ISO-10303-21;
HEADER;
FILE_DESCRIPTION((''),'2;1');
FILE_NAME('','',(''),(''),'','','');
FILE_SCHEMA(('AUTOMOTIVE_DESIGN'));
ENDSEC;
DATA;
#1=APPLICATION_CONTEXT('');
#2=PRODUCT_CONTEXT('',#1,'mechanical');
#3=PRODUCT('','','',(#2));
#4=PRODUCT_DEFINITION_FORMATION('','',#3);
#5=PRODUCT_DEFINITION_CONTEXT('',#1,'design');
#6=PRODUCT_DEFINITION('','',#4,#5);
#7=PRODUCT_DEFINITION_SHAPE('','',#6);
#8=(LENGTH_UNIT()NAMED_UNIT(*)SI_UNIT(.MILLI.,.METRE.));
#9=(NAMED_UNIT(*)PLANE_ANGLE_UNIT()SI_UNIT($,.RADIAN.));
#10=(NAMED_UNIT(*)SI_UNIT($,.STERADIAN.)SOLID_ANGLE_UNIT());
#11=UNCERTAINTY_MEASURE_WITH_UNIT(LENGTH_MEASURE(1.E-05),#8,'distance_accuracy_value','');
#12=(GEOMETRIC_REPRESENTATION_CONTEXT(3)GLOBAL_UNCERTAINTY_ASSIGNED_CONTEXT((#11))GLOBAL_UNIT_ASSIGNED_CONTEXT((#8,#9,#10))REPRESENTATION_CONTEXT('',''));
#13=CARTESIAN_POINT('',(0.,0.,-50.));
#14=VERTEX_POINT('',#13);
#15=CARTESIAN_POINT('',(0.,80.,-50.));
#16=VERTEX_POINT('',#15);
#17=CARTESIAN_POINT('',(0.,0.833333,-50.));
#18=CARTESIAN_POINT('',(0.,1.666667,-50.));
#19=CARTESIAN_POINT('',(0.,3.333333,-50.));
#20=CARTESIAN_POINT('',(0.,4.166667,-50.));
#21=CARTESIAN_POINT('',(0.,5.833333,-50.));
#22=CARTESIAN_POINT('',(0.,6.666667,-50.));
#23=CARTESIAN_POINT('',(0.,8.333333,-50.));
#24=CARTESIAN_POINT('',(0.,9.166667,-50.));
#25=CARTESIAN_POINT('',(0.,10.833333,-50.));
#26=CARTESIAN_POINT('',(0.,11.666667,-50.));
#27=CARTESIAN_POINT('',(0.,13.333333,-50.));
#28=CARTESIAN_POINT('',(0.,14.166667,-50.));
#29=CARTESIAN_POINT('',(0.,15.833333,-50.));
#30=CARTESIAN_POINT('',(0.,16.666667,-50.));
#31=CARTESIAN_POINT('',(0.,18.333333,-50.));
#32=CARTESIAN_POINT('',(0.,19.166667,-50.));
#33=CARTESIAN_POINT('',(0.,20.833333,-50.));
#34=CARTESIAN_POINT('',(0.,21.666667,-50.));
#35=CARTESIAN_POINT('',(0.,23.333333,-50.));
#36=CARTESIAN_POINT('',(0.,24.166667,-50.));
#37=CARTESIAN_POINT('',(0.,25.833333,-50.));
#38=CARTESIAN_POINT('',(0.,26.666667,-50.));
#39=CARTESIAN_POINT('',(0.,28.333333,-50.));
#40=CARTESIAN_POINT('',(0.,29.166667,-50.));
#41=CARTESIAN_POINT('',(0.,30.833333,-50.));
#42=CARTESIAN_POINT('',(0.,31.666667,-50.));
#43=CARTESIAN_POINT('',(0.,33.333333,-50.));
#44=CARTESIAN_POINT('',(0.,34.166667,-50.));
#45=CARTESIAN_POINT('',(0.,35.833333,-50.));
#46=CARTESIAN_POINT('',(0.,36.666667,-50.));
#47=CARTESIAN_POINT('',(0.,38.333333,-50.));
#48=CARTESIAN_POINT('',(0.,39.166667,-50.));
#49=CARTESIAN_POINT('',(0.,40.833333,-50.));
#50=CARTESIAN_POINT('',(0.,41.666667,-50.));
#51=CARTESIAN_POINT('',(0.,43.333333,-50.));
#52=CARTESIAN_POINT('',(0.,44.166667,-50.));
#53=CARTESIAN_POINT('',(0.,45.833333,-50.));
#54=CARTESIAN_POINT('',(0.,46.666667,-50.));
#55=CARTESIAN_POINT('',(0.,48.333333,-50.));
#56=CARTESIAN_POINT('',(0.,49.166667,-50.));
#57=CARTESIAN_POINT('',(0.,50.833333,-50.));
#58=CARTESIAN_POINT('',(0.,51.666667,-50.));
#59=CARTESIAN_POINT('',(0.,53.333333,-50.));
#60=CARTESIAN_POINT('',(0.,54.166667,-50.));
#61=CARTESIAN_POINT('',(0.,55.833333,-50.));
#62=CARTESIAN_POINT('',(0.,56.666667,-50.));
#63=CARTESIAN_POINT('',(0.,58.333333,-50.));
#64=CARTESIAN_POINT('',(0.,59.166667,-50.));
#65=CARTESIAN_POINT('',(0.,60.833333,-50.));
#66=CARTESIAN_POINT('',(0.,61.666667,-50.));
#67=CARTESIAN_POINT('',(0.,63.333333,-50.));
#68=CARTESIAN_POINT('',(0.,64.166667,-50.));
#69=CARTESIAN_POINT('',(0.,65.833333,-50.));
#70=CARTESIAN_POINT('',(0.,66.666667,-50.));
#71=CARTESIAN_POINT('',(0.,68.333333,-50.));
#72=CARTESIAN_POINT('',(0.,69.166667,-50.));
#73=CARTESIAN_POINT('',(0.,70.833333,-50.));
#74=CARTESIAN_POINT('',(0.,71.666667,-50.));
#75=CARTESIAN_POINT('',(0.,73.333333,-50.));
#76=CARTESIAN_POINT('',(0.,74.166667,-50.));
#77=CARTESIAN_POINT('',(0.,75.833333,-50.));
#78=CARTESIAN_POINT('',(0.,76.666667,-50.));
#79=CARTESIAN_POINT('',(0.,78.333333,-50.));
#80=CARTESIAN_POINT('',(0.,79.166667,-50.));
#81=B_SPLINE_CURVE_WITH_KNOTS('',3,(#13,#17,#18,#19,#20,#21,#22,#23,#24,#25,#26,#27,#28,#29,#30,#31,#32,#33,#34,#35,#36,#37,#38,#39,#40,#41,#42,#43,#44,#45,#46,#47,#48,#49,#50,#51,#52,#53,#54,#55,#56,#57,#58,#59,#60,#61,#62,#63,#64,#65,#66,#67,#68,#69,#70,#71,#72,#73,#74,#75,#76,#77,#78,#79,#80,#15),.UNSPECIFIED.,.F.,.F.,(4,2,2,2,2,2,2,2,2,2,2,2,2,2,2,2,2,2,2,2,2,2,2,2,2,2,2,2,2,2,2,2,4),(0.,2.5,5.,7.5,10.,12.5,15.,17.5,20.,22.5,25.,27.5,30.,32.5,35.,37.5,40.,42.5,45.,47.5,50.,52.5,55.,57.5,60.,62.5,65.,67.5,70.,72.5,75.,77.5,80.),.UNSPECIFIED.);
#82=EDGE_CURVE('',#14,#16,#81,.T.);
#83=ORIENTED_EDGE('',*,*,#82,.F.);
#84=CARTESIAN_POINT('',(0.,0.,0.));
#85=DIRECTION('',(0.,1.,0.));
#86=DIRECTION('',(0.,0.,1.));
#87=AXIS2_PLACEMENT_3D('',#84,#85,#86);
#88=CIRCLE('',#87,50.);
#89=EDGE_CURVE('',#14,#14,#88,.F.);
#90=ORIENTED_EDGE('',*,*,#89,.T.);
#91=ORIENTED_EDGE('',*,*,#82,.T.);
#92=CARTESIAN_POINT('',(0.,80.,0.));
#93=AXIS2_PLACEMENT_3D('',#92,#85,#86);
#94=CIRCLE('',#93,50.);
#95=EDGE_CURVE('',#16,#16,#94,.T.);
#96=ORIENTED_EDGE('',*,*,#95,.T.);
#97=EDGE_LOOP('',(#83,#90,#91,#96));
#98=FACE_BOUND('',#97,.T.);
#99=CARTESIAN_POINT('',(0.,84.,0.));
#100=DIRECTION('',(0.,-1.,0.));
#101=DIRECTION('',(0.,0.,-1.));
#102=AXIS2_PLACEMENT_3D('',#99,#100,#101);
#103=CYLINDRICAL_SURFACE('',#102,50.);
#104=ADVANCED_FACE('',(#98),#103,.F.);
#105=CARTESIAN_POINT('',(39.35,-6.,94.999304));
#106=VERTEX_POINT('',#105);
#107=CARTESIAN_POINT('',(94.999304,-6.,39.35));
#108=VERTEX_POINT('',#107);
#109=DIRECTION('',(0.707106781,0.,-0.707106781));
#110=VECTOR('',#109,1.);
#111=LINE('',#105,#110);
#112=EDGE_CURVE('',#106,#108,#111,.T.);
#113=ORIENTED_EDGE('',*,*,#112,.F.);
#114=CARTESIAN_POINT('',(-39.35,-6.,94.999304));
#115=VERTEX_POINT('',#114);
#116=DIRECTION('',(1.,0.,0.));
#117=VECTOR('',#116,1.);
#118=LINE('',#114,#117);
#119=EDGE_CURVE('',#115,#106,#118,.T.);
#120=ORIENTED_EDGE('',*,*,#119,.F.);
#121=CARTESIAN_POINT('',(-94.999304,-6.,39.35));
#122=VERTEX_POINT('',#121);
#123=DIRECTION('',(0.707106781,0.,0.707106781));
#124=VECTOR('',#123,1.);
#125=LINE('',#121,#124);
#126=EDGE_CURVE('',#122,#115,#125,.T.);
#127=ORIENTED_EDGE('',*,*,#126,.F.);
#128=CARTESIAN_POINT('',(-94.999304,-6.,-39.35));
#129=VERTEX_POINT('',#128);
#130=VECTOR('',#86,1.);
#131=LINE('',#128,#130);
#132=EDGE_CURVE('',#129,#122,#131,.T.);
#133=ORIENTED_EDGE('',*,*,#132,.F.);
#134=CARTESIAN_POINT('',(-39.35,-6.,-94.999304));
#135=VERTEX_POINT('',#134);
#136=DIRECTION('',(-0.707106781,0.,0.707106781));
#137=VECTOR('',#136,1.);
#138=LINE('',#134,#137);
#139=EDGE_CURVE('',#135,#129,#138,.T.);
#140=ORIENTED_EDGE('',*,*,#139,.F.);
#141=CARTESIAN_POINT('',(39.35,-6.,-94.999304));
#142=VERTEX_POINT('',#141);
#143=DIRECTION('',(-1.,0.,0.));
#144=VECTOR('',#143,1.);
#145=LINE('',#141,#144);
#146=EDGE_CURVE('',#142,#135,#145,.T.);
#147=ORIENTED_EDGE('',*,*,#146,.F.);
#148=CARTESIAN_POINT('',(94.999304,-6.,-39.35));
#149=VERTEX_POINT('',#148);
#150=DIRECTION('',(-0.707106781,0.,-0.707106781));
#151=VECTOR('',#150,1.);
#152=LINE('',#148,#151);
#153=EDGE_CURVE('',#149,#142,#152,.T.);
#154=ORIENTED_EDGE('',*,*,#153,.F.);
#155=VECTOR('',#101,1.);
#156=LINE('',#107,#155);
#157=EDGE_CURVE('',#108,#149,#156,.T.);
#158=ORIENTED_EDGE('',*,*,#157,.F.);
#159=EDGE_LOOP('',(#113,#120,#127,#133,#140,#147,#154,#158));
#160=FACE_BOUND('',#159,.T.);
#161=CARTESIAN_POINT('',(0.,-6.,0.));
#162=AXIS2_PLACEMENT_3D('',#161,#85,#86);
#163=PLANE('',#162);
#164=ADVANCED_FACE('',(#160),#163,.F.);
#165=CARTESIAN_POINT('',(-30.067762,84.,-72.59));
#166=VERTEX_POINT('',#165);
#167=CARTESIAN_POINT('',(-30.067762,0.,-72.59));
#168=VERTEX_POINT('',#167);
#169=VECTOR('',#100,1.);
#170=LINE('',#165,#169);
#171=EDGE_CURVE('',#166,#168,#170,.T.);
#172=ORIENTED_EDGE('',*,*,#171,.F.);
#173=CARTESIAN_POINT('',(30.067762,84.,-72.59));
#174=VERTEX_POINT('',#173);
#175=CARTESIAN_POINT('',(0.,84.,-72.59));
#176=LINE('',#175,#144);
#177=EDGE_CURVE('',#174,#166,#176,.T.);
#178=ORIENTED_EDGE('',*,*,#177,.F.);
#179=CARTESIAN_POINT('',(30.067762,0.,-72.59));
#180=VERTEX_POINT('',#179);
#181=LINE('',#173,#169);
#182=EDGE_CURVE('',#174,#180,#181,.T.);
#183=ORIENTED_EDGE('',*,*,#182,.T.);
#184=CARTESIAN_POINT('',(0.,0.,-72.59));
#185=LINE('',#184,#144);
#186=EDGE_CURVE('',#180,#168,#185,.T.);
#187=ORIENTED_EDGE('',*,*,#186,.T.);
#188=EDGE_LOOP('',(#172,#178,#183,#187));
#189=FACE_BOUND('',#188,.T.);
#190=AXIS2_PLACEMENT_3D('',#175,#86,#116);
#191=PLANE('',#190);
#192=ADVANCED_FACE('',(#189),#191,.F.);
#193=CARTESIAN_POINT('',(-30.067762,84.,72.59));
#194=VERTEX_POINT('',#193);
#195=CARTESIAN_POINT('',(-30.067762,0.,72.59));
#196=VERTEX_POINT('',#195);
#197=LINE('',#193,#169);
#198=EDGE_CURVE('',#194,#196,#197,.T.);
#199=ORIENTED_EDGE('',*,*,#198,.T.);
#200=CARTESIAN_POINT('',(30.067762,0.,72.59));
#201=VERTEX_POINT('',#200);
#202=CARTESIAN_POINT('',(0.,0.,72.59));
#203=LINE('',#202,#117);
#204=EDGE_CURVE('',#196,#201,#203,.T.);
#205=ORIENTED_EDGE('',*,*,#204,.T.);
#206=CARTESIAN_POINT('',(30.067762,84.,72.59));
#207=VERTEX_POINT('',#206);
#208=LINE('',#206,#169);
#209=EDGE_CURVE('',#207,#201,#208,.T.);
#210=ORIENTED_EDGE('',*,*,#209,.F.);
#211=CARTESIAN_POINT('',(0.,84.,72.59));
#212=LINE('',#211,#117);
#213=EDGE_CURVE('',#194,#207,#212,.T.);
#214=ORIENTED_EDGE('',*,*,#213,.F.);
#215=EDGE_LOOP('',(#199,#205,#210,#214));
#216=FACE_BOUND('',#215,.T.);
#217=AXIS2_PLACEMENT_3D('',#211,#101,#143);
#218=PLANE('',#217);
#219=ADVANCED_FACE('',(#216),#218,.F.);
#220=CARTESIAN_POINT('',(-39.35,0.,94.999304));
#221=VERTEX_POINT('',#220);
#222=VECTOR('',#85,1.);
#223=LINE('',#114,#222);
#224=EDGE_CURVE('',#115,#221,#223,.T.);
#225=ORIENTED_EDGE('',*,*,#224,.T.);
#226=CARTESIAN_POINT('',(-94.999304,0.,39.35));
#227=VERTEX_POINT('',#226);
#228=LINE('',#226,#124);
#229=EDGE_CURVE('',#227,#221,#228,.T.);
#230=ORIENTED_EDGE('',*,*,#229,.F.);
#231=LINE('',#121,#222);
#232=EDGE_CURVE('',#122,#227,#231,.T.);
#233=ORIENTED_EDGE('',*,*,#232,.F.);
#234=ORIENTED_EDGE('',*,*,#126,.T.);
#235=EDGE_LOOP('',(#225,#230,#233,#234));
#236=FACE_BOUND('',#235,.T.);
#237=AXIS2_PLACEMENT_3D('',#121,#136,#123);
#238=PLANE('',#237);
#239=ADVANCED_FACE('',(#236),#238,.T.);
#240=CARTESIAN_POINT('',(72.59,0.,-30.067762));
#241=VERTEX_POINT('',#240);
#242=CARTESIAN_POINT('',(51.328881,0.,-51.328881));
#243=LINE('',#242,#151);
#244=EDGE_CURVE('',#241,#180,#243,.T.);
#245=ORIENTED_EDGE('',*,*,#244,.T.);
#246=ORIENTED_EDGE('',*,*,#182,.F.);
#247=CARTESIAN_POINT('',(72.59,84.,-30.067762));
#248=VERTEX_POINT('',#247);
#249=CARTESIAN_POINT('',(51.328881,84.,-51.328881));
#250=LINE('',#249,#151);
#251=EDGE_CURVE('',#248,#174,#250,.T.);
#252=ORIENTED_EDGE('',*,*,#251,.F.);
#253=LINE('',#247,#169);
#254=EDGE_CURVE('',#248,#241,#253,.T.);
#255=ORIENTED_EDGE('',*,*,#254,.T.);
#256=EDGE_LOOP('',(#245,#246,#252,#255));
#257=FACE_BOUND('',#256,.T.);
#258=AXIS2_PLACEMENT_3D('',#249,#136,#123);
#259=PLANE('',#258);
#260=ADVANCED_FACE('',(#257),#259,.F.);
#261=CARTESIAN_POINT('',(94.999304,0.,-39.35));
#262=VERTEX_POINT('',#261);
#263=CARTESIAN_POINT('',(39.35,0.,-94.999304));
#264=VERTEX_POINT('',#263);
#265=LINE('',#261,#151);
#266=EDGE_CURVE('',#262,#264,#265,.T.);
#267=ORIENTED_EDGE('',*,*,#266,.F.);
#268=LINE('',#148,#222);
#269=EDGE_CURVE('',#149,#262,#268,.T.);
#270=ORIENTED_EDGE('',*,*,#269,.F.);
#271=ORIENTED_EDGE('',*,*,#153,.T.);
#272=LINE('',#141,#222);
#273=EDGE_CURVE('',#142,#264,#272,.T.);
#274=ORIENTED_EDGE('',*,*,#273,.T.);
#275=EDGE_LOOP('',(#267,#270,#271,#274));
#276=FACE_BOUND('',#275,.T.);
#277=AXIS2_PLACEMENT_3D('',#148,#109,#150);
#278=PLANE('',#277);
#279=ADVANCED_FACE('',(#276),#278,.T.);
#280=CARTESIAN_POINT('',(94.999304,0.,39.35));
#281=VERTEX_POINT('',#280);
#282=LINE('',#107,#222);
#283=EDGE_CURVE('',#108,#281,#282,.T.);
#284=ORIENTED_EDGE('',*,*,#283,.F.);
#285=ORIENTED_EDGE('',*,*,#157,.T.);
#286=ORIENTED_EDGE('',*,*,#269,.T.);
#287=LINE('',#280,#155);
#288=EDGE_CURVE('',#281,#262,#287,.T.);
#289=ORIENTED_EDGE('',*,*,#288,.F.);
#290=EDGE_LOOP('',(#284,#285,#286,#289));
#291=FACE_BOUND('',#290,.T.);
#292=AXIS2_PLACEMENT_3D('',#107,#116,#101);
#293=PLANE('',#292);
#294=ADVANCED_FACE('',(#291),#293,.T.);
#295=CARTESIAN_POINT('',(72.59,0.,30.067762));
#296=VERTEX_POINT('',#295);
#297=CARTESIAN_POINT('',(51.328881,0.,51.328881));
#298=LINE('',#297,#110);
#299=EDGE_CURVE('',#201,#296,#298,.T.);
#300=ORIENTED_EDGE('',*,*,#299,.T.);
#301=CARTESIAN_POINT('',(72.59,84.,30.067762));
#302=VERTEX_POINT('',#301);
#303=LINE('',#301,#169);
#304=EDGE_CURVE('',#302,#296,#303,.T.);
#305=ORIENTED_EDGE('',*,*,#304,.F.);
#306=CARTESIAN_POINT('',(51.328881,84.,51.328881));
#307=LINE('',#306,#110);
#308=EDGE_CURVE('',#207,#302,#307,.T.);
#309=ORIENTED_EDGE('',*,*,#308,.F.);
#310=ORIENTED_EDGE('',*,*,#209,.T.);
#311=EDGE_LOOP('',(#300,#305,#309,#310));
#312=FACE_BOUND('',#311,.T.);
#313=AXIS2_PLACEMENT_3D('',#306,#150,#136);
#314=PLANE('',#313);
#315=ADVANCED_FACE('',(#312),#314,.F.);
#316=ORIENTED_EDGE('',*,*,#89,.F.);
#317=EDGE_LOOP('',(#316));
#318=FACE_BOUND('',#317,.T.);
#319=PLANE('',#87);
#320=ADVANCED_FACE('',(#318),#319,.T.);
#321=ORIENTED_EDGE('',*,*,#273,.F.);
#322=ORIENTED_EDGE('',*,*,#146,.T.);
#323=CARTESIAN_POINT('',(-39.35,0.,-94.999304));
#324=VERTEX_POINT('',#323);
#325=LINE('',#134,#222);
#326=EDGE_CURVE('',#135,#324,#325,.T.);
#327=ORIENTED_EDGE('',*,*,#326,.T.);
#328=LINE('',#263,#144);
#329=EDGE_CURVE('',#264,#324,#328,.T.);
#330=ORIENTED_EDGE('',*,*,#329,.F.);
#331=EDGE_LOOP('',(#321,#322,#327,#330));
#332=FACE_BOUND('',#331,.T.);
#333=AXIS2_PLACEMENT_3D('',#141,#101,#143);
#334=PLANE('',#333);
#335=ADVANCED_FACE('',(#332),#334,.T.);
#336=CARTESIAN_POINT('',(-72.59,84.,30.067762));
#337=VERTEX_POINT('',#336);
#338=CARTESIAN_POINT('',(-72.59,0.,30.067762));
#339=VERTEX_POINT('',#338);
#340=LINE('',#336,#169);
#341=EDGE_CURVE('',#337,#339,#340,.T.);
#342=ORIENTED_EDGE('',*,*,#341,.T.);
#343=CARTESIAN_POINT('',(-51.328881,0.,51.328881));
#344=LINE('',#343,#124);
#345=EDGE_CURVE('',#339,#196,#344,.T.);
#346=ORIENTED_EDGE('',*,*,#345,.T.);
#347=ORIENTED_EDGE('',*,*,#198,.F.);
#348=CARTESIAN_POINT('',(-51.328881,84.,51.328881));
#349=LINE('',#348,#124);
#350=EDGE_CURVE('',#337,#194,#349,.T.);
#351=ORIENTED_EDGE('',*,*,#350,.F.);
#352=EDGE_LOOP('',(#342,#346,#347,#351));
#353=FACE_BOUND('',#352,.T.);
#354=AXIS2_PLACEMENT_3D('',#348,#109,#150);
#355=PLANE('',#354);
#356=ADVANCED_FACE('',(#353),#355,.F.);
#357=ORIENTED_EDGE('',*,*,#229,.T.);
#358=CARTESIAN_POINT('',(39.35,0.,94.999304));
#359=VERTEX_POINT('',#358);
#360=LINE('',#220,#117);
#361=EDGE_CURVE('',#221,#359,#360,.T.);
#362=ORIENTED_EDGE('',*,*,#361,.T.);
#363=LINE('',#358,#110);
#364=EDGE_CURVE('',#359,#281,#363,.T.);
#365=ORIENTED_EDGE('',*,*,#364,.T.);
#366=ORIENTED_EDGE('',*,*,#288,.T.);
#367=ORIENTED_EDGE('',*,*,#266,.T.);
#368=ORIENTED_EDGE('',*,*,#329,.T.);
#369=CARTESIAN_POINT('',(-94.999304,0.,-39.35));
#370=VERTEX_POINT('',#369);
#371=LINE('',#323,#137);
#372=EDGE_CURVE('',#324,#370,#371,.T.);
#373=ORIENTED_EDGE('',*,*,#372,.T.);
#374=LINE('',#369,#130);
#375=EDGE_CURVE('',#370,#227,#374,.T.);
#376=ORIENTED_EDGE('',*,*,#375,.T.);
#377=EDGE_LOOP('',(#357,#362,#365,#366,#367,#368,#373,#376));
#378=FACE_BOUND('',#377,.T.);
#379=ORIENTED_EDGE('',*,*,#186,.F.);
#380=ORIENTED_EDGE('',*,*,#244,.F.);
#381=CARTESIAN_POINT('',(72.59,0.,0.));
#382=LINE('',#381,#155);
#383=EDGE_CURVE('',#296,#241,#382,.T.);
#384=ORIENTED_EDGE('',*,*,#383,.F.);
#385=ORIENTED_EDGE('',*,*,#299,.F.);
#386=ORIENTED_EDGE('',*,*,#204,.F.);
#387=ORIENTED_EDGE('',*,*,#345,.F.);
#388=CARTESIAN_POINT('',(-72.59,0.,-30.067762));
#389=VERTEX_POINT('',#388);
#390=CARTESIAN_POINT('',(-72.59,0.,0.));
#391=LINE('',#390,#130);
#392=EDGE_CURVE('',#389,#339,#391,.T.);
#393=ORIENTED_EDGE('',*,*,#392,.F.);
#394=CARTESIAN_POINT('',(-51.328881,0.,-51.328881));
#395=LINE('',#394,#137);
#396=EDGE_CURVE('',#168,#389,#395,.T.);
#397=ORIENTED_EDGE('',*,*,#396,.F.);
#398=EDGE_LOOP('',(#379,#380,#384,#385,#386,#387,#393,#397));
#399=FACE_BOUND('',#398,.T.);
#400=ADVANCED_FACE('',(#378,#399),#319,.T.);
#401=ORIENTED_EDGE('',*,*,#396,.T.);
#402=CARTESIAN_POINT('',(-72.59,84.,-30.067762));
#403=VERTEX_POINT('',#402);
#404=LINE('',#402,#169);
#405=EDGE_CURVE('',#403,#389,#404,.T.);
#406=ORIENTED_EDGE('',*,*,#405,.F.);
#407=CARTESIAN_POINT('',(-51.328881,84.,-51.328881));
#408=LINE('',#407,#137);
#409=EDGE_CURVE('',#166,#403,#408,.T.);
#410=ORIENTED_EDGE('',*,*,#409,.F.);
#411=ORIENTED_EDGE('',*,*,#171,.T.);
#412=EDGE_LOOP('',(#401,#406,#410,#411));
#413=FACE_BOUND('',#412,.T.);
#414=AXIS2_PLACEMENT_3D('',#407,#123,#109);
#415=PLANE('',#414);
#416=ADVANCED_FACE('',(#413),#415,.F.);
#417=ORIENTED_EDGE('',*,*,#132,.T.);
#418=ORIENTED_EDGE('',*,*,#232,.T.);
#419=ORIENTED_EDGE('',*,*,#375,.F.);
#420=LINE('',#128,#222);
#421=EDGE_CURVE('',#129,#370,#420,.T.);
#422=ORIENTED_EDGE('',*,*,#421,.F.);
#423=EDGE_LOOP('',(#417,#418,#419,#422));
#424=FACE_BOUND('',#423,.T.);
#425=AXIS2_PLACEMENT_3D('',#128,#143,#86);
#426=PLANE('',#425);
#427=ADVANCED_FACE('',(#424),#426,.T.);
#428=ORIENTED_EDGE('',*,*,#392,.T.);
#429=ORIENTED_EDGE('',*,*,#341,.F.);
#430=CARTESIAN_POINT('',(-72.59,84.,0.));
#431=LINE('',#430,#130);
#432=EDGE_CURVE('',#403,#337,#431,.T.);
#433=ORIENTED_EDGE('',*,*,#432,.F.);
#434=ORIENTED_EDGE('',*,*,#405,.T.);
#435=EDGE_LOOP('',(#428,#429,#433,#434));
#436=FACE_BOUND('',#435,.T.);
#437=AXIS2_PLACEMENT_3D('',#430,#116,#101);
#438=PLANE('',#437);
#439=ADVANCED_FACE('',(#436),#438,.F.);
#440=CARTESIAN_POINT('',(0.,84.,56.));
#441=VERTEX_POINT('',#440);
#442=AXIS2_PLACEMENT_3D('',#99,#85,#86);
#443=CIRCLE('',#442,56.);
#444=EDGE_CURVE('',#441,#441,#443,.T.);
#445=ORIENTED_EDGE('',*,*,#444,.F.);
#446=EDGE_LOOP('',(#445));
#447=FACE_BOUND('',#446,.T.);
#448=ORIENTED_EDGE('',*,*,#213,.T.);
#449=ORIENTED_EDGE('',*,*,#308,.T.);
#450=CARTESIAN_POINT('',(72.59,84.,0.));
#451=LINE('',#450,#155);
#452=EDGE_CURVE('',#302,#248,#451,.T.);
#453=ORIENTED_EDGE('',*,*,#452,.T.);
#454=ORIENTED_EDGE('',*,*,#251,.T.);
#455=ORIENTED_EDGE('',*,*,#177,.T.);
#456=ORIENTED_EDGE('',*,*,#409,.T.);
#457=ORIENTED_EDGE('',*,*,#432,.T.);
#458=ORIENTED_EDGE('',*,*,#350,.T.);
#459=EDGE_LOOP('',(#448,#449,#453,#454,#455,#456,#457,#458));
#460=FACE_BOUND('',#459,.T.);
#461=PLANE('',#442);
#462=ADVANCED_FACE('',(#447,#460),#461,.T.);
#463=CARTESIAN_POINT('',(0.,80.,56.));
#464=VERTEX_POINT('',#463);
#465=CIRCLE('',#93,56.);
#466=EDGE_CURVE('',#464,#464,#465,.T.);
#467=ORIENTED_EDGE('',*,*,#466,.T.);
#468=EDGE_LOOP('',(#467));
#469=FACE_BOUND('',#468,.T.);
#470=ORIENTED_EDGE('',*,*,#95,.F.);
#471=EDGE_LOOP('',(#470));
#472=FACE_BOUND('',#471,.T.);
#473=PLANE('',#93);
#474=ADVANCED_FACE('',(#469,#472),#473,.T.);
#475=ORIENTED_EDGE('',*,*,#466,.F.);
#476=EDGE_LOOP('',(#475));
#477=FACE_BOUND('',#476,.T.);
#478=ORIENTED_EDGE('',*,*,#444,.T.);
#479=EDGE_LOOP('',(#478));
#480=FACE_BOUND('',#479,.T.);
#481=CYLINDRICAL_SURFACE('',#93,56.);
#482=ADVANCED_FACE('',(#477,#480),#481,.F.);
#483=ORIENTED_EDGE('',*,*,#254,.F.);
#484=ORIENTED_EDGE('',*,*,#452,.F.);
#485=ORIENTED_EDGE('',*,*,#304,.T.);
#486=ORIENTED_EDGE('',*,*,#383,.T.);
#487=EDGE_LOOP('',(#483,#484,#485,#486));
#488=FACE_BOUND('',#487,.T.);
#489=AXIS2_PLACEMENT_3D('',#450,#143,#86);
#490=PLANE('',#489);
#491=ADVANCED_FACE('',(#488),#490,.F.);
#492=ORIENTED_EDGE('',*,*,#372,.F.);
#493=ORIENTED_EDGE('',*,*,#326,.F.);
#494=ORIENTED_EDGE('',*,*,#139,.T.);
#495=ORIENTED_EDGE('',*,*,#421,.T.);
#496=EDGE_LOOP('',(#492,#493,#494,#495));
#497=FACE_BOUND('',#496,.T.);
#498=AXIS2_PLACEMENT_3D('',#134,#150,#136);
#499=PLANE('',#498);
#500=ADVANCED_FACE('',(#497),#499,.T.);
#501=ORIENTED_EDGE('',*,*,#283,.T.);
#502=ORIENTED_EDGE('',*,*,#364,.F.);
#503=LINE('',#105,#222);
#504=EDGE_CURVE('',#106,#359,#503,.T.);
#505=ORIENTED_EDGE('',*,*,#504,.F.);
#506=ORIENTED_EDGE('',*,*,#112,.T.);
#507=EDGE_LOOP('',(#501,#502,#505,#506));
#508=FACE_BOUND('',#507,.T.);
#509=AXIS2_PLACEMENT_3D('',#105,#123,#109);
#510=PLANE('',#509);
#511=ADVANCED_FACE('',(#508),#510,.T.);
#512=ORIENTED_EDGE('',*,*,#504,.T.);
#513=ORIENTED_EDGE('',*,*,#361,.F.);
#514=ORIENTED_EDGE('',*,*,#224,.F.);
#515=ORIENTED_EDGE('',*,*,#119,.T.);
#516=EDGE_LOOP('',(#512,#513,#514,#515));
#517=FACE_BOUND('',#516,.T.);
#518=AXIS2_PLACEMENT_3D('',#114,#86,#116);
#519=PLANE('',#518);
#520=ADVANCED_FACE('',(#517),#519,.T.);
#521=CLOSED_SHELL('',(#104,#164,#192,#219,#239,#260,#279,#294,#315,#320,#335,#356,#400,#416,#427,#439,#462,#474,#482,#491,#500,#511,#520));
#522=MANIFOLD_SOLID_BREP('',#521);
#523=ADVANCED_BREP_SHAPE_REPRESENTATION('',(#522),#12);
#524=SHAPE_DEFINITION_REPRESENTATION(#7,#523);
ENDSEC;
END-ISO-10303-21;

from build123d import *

# Parameters (mm, degrees)
BOSS_EXTRUDE7_DEPTH = 6
SKETCH1_R           = 50
BOSS_EXTRUDE8_DEPTH = 84
CUT_EXTRUDE1_START  = -4
SKETCH4_R           = 56
SKETCH4_R_2         = 50
CUT_EXTRUDE1_DEPTH  = 4


with BuildPart() as part:
    # Sketch2 → Boss-Extrude7 (new body)
    with BuildSketch(Plane(origin=(0, 0, 0), x_dir=(1, 0, 0), z_dir=(0, 1, 0))):
        Polygon((39.35, -94.999303679), (94.999303679, -39.35), (94.999303679, 39.35), (39.35, 94.999303679), (-39.35, 94.999303679), (-94.999303679, 39.35), (-94.999303679, -39.35), (-39.35, -94.999303679), align=None)
    extrude(amount=-BOSS_EXTRUDE7_DEPTH)

    # Sketch1 → Boss-Extrude8 (add)
    with BuildSketch(Plane(origin=(0, 0, 0), x_dir=(1, 0, 0), z_dir=(0, 1, 0))):
        Polygon((-72.59, -30.067762493), (-30.067762493, -72.59), (30.067762493, -72.59), (72.59, -30.067762493), (72.59, 30.067762493), (30.067762493, 72.59), (-30.067762493, 72.59), (-72.59, 30.067762493), align=None)
        with Locations(Location((0, 0, 0), (0, 0, 90))):
            Circle(SKETCH1_R, mode=Mode.SUBTRACT)
    extrude(amount=BOSS_EXTRUDE8_DEPTH)

    # Sketch4 → Cut-Extrude1 (cut)
    with BuildSketch(Plane(origin=(0, 84, 0), x_dir=(1, 0, 0), z_dir=(0, 1, 0)).offset(CUT_EXTRUDE1_START)):
        with Locations(Location((0, 0, 0), (0, 0, 270))):
            Circle(SKETCH4_R)
        with Locations(Location((0, 0, 0), (0, 0, 90))):
            Circle(SKETCH4_R_2, mode=Mode.SUBTRACT)
    extrude(amount=CUT_EXTRUDE1_DEPTH, mode=Mode.SUBTRACT)


solid = part.part
